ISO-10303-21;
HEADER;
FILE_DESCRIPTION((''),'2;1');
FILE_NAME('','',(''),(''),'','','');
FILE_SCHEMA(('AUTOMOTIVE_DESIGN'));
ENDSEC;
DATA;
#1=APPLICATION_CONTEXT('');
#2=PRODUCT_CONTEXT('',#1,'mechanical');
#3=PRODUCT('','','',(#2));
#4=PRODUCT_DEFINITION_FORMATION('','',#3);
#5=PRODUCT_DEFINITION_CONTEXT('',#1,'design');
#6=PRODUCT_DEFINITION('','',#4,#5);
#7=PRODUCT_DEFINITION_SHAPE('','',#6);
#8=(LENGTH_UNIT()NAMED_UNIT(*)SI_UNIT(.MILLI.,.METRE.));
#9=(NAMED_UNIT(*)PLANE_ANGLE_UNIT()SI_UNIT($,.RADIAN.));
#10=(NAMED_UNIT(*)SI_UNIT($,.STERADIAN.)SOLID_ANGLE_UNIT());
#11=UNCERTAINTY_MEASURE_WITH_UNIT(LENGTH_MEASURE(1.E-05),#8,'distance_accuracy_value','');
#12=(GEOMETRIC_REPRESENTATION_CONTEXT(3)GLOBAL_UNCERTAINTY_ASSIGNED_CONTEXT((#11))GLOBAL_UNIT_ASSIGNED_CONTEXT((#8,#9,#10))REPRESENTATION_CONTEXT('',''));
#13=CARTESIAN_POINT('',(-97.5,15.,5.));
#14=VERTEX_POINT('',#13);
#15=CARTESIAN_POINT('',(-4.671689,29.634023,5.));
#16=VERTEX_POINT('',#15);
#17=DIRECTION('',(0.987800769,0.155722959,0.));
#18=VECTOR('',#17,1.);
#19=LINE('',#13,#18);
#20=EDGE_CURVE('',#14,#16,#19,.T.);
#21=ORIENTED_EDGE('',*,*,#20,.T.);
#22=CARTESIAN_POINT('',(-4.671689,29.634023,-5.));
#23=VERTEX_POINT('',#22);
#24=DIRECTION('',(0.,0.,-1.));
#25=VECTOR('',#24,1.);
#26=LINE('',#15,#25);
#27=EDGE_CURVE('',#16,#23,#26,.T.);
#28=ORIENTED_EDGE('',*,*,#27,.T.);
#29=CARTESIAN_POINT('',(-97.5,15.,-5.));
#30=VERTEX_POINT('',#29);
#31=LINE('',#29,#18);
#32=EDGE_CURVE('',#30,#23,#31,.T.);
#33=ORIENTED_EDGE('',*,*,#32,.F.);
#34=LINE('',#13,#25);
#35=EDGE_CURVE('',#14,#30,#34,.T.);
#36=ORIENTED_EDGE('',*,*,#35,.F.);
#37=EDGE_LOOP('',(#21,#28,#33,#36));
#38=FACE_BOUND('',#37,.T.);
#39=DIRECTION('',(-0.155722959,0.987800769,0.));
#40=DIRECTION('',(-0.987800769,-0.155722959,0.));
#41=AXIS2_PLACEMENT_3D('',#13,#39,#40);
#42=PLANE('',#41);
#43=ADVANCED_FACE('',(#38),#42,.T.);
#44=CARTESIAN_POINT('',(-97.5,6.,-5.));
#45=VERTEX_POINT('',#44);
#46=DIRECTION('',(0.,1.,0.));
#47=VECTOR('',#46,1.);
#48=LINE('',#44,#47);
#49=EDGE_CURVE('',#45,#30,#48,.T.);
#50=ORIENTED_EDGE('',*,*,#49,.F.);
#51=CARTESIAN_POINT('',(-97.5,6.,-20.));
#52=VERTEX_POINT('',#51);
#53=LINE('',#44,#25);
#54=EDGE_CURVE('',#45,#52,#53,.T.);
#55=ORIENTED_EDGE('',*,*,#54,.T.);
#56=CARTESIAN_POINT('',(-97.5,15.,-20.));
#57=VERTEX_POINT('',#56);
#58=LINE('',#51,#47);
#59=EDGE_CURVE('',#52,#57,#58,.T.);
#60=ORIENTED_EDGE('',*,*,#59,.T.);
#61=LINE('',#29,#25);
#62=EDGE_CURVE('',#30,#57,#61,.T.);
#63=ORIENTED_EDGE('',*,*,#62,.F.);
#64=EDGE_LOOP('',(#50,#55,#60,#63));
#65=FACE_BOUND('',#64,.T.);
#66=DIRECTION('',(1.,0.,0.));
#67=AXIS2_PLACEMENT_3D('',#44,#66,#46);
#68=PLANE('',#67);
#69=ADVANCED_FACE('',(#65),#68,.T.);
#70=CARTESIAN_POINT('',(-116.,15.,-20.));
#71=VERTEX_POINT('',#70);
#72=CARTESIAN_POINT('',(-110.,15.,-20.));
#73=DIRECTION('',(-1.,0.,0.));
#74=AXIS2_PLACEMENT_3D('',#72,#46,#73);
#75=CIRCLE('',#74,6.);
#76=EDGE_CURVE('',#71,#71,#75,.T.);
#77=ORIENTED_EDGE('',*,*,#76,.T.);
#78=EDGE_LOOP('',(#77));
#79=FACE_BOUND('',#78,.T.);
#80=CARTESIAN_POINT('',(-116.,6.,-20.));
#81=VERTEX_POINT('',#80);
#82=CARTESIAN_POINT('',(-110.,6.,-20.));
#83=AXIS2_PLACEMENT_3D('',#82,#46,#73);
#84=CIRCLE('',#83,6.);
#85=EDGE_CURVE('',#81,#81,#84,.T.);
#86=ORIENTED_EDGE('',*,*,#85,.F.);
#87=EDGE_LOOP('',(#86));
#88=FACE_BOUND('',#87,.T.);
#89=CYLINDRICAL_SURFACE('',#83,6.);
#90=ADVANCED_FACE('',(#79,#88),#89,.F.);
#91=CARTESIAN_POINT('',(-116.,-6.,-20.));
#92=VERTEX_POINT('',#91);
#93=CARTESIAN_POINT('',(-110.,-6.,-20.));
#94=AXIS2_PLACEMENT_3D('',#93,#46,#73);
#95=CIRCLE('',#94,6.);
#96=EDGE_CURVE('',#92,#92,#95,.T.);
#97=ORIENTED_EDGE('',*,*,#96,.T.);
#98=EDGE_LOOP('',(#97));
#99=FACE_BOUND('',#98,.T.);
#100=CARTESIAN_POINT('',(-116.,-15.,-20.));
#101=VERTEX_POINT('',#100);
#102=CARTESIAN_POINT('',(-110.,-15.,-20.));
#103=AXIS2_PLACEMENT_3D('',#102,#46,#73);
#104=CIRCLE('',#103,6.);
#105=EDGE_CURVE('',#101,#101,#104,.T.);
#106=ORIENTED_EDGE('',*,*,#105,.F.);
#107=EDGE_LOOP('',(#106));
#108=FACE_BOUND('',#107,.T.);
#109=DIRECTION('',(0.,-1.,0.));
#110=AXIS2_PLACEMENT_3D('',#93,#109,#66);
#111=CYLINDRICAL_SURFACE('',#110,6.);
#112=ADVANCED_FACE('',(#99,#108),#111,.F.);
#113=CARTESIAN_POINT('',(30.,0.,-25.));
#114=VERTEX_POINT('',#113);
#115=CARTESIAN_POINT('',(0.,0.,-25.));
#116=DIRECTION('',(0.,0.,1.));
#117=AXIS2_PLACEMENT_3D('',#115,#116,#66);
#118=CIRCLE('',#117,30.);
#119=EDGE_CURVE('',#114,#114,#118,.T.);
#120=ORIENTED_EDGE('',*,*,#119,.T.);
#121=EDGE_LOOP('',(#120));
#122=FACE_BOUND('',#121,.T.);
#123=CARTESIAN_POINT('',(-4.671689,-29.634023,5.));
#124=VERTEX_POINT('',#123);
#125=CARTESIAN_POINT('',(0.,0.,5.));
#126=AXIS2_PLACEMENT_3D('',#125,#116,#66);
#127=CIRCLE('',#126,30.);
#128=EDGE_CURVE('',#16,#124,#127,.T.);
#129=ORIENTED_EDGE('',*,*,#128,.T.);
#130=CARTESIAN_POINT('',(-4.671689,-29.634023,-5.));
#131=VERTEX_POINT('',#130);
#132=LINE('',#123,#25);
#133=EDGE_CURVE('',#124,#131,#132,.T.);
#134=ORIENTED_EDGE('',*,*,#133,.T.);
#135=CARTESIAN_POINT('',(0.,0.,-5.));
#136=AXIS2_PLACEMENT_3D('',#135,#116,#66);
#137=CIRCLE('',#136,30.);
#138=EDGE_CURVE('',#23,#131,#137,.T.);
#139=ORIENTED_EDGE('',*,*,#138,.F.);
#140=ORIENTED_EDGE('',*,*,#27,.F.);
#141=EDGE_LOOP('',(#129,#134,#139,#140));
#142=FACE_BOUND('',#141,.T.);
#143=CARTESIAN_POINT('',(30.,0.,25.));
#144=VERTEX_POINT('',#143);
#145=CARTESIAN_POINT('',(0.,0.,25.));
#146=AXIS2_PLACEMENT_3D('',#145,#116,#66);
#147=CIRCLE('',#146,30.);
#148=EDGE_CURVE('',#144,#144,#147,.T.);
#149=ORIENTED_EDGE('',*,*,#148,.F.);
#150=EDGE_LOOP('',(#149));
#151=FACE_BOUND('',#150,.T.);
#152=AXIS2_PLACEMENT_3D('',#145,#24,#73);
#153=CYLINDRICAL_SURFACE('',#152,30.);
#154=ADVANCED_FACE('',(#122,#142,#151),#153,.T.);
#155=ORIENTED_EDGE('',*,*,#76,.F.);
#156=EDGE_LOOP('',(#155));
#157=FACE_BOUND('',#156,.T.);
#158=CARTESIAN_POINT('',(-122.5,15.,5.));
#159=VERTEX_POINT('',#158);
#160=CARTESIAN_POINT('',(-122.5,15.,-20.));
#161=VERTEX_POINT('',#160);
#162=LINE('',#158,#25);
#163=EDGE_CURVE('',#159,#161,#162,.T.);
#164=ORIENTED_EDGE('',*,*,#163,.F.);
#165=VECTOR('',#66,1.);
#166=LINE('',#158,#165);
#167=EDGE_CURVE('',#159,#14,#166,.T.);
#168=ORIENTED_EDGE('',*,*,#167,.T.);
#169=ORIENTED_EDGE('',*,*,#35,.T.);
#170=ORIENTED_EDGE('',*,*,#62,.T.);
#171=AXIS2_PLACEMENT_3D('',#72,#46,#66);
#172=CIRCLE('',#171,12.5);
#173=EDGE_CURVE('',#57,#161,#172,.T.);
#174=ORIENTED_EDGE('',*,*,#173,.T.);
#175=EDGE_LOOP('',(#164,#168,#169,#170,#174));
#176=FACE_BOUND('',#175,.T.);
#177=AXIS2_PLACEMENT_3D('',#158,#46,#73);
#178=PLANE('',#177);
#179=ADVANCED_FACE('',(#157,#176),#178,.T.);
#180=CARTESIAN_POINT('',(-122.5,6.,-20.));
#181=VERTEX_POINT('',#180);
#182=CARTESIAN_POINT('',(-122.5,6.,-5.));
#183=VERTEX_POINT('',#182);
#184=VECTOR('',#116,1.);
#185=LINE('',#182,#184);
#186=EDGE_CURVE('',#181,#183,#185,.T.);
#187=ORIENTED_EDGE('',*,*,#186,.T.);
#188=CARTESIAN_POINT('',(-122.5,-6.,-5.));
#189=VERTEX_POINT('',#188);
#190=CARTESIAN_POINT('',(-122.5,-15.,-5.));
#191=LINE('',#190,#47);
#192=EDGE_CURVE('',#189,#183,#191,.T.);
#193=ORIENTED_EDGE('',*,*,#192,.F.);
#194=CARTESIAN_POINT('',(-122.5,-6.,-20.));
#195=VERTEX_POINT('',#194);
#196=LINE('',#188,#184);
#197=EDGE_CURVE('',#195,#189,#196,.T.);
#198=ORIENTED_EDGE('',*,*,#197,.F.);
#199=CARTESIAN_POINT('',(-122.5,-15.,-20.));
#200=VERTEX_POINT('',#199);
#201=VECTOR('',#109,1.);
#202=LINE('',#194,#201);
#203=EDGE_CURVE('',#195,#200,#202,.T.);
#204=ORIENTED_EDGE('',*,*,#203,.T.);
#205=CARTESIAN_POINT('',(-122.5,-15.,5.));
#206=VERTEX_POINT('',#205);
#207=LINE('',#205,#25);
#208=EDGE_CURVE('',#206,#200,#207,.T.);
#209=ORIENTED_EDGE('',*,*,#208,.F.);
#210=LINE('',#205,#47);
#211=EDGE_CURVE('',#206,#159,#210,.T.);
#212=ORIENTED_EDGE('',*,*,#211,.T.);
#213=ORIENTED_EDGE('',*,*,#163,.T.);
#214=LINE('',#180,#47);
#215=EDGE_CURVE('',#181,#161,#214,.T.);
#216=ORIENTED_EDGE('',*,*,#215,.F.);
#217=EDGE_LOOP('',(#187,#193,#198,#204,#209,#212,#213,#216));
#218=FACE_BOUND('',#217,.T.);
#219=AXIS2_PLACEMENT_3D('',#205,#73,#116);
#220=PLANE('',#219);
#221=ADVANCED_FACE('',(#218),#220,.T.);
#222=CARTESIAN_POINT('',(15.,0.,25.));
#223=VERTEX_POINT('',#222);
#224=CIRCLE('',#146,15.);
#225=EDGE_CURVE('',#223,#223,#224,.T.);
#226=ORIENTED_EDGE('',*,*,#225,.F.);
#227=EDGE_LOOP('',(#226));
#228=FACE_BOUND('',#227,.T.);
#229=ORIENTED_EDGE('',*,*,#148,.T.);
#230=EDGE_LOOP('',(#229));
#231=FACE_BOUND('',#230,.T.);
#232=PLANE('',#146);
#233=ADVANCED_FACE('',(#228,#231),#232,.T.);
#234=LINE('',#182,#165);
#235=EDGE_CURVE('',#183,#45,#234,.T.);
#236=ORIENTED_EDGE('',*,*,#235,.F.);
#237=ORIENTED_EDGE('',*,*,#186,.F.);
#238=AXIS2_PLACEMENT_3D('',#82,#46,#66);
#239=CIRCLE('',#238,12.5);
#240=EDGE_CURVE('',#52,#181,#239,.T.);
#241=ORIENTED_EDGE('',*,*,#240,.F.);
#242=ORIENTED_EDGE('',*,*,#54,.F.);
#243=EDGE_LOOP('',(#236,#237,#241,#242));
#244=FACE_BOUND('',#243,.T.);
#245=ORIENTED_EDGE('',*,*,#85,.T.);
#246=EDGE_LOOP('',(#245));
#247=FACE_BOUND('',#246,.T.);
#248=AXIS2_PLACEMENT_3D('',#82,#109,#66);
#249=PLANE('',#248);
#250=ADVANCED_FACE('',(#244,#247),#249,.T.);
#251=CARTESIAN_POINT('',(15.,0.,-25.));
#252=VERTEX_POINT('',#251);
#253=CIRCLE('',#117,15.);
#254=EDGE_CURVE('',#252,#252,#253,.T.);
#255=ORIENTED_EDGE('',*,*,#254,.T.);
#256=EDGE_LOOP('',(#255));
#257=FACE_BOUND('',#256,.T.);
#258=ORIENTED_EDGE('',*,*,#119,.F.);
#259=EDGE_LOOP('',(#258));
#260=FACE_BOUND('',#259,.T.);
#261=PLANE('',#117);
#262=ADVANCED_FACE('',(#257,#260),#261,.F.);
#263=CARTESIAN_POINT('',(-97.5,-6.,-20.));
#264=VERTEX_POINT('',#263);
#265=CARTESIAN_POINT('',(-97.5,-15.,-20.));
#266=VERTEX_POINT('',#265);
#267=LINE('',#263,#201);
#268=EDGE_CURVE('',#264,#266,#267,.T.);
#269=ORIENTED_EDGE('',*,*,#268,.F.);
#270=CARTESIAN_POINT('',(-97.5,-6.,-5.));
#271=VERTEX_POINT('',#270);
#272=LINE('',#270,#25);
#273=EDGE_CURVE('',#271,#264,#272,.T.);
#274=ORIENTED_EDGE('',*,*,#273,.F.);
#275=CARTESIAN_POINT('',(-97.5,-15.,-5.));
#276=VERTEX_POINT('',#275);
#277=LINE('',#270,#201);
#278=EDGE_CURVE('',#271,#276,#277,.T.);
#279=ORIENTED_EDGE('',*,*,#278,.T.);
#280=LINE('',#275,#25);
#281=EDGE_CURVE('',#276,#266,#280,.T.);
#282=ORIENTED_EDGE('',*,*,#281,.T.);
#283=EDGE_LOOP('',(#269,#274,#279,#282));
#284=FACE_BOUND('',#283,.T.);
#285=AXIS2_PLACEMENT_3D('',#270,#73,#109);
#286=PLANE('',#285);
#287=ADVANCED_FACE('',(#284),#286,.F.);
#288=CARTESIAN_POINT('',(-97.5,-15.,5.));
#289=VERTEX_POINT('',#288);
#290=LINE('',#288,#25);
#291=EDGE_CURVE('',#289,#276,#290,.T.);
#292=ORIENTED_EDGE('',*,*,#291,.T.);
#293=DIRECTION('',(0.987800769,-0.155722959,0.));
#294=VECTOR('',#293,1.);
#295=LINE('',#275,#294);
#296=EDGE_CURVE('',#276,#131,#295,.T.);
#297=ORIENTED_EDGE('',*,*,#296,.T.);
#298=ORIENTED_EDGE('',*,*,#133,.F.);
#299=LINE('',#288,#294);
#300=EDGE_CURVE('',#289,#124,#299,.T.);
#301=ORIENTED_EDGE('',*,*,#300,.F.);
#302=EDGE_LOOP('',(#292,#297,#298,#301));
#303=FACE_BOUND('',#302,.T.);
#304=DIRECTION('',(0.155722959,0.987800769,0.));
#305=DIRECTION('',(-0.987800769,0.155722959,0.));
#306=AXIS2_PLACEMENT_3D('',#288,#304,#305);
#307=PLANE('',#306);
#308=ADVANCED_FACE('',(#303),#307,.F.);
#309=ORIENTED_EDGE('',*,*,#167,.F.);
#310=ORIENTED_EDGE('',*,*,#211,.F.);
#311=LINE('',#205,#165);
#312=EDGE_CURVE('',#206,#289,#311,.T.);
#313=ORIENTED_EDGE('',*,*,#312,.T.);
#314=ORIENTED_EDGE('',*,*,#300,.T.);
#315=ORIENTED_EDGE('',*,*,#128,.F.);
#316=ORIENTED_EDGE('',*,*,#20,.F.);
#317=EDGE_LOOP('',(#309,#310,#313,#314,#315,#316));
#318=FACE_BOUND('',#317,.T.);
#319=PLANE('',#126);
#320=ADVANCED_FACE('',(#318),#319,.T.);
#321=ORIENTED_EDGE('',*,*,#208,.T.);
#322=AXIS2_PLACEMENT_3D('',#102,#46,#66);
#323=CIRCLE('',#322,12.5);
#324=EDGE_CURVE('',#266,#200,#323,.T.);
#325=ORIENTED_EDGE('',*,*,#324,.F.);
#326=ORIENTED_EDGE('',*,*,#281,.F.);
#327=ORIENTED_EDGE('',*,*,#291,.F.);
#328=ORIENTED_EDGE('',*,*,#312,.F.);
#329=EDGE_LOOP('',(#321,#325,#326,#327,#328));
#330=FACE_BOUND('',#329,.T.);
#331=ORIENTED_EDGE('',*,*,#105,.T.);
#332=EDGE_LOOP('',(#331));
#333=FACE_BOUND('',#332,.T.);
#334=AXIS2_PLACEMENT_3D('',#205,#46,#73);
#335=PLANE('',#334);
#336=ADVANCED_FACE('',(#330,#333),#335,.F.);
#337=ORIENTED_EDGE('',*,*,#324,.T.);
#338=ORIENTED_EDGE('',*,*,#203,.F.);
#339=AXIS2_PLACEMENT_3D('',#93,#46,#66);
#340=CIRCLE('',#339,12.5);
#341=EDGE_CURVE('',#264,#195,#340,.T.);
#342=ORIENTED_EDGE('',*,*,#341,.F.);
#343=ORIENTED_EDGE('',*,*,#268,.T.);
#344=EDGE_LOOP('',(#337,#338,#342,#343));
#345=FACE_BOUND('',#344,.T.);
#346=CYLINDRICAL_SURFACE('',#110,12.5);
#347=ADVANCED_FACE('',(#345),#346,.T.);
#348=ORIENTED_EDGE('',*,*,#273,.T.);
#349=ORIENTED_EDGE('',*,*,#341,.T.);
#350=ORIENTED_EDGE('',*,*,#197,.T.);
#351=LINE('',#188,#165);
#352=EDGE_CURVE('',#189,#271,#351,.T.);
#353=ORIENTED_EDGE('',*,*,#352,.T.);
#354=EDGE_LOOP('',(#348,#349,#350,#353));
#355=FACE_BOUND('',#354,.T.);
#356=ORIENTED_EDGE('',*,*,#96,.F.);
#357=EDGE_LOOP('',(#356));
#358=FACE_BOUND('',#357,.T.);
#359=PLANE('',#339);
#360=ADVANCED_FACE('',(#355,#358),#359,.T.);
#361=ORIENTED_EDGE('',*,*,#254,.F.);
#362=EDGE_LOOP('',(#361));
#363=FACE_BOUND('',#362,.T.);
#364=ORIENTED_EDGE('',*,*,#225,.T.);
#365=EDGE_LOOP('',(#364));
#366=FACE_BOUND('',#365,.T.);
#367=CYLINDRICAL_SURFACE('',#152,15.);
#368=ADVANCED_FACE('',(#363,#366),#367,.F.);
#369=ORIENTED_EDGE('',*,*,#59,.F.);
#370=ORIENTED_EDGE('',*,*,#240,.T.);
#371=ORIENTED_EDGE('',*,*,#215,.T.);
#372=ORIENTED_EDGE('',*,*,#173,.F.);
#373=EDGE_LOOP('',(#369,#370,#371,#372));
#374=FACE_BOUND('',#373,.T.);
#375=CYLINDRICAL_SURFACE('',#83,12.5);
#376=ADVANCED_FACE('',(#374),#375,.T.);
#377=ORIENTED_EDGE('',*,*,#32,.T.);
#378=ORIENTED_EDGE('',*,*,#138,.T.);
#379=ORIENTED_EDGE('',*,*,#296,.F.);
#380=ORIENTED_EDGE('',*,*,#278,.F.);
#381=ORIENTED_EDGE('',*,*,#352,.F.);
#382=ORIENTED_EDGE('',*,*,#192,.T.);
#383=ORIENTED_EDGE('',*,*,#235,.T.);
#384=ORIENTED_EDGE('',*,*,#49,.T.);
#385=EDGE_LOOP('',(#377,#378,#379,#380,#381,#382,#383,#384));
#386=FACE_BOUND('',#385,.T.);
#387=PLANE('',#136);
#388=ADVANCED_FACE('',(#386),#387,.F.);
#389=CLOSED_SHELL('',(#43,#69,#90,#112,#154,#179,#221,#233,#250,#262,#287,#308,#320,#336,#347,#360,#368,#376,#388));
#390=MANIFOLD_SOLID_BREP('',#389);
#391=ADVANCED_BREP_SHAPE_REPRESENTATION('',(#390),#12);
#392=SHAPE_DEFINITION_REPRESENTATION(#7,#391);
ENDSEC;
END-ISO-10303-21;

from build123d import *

# Parameters (mm, degrees)
SKETCH1_R           = 30
SKETCH1_R_2         = 15
BOSS_EXTRUDE1_DEPTH = 25
BOSS_EXTRUDE2_DEPTH = 5
SKETCH8_R           = 6
BOSS_EXTRUDE3_DEPTH = 9


with BuildPart() as part:
    # Sketch1 → Boss-Extrude1 (new body, symmetric)
    with BuildSketch(Plane.XY):
        Circle(SKETCH1_R)
        Circle(SKETCH1_R_2, mode=Mode.SUBTRACT)
    extrude(amount=BOSS_EXTRUDE1_DEPTH, both=True)

    # Sketch3 → Boss-Extrude2 (add, symmetric)
    with BuildSketch(Plane.XY):
        with BuildLine():
            Line((-122.5, -15), (-122.5, 15))
            Line((-122.5, 15), (-97.5, 15))
            Line((-97.5, 15), (-4.671688756, 29.634023084))
            ThreePointArc((-4.671688756, 29.634023084), (-30, 0), (-4.671688756, -29.634023084))
            Line((-4.671688756, -29.634023084), (-97.5, -15))
            Line((-97.5, -15), (-122.5, -15))
        make_face()
    extrude(amount=BOSS_EXTRUDE2_DEPTH, both=True)

    # Sketch8 → Boss-Extrude3 (add)
    with BuildSketch(Plane(origin=(0, 15, 0), x_dir=(1, 0, 0), z_dir=(0, 1, 0))):
        with BuildLine():
            Line((-122.5, 5), (-122.5, 20))
            ThreePointArc((-122.5, 20), (-110, 32.5), (-97.5, 20))
            Line((-97.5, 20), (-97.5, 5))
            Line((-97.5, 5), (-122.5, 5))
        make_face()
        with Locations(Location((-110, 20, 0), (0, 0, 180))):  # turned: the seam where the file's is
            Circle(SKETCH8_R, mode=Mode.SUBTRACT)
    boss_extrude3 = extrude(amount=-BOSS_EXTRUDE3_DEPTH)

    # Mirror1: Boss-Extrude3 across plane
    add(boss_extrude3.mirror(Plane.ZX))


solid = part.part
